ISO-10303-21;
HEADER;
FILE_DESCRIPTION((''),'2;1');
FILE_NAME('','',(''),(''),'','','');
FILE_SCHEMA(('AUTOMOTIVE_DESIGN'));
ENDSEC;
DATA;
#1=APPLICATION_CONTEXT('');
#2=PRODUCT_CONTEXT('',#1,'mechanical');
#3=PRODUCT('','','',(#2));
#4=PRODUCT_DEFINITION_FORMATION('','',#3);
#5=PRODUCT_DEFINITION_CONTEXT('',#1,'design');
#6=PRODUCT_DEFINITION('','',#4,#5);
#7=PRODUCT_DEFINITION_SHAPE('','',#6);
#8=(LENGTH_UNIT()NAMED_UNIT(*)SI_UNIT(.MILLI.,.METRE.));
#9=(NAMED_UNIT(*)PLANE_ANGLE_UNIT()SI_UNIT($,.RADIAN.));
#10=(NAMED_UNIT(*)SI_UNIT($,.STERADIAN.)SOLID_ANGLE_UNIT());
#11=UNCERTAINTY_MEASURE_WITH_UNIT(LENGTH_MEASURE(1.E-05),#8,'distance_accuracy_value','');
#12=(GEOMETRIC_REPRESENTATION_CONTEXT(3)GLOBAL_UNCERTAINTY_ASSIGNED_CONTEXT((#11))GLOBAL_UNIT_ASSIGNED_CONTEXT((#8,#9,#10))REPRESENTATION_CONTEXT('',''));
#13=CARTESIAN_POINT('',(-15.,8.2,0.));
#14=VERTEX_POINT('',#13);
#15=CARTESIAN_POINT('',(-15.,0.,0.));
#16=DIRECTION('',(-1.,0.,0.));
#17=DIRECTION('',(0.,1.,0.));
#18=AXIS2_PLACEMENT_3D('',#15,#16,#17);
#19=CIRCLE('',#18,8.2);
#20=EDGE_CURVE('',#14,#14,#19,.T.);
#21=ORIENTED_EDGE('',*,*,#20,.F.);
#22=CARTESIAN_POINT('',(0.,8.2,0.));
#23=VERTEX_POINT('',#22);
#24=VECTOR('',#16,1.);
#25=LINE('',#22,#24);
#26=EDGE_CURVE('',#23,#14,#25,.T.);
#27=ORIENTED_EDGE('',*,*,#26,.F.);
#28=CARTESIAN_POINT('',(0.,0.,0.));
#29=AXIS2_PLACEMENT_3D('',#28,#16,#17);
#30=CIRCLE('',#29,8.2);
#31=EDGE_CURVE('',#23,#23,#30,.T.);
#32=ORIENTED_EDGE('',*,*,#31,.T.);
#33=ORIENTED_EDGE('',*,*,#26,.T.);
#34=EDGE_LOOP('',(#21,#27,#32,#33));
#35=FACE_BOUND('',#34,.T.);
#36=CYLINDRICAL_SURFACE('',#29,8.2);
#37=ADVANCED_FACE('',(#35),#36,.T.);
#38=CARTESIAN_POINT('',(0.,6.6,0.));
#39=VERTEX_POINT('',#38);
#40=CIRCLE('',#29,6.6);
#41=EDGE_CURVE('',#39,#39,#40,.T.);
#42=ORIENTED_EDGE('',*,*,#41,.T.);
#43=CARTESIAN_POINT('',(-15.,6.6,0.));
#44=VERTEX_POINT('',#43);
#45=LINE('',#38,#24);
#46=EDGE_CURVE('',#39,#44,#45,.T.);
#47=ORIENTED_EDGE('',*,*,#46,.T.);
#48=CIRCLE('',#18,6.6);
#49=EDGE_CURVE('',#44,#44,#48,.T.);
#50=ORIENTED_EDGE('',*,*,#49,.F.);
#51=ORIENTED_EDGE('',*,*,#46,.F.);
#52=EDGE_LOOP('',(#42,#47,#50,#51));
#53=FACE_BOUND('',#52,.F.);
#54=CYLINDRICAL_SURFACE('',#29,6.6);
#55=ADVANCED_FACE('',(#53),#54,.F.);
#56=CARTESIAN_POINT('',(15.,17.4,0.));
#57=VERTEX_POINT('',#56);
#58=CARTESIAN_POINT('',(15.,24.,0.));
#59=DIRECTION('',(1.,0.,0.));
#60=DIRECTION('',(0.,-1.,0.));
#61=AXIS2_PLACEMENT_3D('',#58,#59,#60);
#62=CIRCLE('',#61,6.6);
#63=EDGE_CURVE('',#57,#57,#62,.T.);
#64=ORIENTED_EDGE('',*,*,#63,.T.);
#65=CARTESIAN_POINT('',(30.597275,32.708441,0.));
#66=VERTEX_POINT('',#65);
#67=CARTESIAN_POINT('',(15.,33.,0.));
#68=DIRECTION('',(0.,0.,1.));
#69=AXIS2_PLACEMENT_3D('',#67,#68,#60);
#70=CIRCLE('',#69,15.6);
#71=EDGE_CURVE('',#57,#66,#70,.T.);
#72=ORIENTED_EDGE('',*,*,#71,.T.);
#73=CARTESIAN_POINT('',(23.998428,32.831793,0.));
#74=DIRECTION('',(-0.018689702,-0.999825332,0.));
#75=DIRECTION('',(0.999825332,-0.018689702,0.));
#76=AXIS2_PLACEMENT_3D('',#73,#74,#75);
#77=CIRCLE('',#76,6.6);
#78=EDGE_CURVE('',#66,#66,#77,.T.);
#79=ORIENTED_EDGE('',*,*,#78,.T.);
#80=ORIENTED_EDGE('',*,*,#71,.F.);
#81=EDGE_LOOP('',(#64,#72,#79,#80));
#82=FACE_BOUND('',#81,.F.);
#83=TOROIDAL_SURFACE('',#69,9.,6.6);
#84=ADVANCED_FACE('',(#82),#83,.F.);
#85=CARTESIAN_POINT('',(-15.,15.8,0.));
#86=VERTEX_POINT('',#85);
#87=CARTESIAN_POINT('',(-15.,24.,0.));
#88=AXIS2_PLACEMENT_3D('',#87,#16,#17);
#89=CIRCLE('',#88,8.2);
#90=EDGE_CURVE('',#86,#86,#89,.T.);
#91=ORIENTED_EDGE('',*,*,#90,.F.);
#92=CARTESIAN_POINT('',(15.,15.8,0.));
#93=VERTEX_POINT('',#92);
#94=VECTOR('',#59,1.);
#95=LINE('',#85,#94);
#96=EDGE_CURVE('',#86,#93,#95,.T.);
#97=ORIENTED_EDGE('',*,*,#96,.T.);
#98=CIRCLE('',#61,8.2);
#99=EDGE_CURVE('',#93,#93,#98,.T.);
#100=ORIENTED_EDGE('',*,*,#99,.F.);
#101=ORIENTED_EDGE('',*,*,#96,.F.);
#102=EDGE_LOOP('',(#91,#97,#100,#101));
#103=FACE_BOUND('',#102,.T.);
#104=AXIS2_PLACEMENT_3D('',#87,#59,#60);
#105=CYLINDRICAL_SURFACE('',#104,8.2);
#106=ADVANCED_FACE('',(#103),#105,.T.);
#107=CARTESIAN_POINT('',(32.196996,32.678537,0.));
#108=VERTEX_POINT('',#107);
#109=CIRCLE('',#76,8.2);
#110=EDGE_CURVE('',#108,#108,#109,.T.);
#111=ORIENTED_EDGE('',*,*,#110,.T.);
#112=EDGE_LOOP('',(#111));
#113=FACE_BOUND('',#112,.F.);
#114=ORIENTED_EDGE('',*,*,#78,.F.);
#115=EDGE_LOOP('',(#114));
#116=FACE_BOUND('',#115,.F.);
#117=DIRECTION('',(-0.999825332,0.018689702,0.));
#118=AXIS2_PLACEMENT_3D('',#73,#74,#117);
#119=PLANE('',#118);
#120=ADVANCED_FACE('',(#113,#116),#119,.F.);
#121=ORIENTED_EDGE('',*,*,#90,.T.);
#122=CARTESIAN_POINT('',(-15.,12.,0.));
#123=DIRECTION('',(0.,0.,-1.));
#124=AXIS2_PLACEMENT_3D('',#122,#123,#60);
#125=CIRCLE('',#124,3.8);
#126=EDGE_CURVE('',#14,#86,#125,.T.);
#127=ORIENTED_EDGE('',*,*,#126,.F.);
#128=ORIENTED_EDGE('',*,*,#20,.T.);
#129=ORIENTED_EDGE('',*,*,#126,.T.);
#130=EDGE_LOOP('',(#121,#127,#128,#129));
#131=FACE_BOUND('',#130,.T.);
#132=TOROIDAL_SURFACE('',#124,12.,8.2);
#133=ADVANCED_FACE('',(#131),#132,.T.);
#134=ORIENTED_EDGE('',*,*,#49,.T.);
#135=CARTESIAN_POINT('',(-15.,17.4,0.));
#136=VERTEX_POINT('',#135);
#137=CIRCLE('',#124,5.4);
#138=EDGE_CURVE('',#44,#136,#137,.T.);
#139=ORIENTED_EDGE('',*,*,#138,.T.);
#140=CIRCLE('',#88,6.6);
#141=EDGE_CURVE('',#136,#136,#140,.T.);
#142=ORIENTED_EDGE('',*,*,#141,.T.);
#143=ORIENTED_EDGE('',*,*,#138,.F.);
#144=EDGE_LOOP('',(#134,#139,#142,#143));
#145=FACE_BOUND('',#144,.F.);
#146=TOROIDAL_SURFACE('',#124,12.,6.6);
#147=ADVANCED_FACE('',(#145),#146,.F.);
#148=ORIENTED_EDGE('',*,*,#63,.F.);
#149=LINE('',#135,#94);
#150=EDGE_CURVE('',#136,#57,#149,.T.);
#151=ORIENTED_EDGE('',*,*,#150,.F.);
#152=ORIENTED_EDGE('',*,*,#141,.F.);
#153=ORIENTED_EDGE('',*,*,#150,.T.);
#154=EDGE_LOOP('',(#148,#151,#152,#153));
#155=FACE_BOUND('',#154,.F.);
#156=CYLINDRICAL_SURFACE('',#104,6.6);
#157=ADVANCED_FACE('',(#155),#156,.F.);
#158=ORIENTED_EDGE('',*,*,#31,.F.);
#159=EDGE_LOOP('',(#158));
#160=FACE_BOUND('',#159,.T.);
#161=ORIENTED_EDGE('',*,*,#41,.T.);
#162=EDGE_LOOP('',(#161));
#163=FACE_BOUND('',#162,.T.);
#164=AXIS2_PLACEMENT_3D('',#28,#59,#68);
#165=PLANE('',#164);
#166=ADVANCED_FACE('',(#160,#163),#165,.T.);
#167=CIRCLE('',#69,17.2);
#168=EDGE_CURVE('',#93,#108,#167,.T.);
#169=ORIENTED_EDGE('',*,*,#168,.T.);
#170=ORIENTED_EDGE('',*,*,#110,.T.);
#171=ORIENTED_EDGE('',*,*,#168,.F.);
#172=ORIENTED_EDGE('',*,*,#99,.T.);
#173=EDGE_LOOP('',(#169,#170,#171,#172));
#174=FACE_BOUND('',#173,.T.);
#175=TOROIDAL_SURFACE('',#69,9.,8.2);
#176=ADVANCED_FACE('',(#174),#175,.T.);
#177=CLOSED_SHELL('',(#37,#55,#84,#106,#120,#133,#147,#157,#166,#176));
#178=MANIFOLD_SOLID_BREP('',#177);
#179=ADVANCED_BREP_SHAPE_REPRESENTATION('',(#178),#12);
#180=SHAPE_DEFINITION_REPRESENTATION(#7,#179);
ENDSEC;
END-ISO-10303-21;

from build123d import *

# Parameters (mm, degrees)
F1_R   = 8.2
F1_R_2 = 6.6


with BuildPart() as f2:
    # F2: sweep along a path in F0
    with BuildLine(Plane.XY) as f2_path:
        Line((0, 0), (-15, 0))
        ThreePointArc((-15, 0), (-27, 12), (-15, 24))
        Line((-15, 24), (15, 24))
        ThreePointArc((15, 24), (21.304210264, 26.5768440041), (23.9984279903, 32.8317926784))
    # F1 (on Right) → F2 (sweep)
    with BuildSketch(Plane.YZ):
        Circle(F1_R)
        Circle(F1_R_2, mode=Mode.SUBTRACT)
    sweep(path=f2_path.line)


solid = f2.part
